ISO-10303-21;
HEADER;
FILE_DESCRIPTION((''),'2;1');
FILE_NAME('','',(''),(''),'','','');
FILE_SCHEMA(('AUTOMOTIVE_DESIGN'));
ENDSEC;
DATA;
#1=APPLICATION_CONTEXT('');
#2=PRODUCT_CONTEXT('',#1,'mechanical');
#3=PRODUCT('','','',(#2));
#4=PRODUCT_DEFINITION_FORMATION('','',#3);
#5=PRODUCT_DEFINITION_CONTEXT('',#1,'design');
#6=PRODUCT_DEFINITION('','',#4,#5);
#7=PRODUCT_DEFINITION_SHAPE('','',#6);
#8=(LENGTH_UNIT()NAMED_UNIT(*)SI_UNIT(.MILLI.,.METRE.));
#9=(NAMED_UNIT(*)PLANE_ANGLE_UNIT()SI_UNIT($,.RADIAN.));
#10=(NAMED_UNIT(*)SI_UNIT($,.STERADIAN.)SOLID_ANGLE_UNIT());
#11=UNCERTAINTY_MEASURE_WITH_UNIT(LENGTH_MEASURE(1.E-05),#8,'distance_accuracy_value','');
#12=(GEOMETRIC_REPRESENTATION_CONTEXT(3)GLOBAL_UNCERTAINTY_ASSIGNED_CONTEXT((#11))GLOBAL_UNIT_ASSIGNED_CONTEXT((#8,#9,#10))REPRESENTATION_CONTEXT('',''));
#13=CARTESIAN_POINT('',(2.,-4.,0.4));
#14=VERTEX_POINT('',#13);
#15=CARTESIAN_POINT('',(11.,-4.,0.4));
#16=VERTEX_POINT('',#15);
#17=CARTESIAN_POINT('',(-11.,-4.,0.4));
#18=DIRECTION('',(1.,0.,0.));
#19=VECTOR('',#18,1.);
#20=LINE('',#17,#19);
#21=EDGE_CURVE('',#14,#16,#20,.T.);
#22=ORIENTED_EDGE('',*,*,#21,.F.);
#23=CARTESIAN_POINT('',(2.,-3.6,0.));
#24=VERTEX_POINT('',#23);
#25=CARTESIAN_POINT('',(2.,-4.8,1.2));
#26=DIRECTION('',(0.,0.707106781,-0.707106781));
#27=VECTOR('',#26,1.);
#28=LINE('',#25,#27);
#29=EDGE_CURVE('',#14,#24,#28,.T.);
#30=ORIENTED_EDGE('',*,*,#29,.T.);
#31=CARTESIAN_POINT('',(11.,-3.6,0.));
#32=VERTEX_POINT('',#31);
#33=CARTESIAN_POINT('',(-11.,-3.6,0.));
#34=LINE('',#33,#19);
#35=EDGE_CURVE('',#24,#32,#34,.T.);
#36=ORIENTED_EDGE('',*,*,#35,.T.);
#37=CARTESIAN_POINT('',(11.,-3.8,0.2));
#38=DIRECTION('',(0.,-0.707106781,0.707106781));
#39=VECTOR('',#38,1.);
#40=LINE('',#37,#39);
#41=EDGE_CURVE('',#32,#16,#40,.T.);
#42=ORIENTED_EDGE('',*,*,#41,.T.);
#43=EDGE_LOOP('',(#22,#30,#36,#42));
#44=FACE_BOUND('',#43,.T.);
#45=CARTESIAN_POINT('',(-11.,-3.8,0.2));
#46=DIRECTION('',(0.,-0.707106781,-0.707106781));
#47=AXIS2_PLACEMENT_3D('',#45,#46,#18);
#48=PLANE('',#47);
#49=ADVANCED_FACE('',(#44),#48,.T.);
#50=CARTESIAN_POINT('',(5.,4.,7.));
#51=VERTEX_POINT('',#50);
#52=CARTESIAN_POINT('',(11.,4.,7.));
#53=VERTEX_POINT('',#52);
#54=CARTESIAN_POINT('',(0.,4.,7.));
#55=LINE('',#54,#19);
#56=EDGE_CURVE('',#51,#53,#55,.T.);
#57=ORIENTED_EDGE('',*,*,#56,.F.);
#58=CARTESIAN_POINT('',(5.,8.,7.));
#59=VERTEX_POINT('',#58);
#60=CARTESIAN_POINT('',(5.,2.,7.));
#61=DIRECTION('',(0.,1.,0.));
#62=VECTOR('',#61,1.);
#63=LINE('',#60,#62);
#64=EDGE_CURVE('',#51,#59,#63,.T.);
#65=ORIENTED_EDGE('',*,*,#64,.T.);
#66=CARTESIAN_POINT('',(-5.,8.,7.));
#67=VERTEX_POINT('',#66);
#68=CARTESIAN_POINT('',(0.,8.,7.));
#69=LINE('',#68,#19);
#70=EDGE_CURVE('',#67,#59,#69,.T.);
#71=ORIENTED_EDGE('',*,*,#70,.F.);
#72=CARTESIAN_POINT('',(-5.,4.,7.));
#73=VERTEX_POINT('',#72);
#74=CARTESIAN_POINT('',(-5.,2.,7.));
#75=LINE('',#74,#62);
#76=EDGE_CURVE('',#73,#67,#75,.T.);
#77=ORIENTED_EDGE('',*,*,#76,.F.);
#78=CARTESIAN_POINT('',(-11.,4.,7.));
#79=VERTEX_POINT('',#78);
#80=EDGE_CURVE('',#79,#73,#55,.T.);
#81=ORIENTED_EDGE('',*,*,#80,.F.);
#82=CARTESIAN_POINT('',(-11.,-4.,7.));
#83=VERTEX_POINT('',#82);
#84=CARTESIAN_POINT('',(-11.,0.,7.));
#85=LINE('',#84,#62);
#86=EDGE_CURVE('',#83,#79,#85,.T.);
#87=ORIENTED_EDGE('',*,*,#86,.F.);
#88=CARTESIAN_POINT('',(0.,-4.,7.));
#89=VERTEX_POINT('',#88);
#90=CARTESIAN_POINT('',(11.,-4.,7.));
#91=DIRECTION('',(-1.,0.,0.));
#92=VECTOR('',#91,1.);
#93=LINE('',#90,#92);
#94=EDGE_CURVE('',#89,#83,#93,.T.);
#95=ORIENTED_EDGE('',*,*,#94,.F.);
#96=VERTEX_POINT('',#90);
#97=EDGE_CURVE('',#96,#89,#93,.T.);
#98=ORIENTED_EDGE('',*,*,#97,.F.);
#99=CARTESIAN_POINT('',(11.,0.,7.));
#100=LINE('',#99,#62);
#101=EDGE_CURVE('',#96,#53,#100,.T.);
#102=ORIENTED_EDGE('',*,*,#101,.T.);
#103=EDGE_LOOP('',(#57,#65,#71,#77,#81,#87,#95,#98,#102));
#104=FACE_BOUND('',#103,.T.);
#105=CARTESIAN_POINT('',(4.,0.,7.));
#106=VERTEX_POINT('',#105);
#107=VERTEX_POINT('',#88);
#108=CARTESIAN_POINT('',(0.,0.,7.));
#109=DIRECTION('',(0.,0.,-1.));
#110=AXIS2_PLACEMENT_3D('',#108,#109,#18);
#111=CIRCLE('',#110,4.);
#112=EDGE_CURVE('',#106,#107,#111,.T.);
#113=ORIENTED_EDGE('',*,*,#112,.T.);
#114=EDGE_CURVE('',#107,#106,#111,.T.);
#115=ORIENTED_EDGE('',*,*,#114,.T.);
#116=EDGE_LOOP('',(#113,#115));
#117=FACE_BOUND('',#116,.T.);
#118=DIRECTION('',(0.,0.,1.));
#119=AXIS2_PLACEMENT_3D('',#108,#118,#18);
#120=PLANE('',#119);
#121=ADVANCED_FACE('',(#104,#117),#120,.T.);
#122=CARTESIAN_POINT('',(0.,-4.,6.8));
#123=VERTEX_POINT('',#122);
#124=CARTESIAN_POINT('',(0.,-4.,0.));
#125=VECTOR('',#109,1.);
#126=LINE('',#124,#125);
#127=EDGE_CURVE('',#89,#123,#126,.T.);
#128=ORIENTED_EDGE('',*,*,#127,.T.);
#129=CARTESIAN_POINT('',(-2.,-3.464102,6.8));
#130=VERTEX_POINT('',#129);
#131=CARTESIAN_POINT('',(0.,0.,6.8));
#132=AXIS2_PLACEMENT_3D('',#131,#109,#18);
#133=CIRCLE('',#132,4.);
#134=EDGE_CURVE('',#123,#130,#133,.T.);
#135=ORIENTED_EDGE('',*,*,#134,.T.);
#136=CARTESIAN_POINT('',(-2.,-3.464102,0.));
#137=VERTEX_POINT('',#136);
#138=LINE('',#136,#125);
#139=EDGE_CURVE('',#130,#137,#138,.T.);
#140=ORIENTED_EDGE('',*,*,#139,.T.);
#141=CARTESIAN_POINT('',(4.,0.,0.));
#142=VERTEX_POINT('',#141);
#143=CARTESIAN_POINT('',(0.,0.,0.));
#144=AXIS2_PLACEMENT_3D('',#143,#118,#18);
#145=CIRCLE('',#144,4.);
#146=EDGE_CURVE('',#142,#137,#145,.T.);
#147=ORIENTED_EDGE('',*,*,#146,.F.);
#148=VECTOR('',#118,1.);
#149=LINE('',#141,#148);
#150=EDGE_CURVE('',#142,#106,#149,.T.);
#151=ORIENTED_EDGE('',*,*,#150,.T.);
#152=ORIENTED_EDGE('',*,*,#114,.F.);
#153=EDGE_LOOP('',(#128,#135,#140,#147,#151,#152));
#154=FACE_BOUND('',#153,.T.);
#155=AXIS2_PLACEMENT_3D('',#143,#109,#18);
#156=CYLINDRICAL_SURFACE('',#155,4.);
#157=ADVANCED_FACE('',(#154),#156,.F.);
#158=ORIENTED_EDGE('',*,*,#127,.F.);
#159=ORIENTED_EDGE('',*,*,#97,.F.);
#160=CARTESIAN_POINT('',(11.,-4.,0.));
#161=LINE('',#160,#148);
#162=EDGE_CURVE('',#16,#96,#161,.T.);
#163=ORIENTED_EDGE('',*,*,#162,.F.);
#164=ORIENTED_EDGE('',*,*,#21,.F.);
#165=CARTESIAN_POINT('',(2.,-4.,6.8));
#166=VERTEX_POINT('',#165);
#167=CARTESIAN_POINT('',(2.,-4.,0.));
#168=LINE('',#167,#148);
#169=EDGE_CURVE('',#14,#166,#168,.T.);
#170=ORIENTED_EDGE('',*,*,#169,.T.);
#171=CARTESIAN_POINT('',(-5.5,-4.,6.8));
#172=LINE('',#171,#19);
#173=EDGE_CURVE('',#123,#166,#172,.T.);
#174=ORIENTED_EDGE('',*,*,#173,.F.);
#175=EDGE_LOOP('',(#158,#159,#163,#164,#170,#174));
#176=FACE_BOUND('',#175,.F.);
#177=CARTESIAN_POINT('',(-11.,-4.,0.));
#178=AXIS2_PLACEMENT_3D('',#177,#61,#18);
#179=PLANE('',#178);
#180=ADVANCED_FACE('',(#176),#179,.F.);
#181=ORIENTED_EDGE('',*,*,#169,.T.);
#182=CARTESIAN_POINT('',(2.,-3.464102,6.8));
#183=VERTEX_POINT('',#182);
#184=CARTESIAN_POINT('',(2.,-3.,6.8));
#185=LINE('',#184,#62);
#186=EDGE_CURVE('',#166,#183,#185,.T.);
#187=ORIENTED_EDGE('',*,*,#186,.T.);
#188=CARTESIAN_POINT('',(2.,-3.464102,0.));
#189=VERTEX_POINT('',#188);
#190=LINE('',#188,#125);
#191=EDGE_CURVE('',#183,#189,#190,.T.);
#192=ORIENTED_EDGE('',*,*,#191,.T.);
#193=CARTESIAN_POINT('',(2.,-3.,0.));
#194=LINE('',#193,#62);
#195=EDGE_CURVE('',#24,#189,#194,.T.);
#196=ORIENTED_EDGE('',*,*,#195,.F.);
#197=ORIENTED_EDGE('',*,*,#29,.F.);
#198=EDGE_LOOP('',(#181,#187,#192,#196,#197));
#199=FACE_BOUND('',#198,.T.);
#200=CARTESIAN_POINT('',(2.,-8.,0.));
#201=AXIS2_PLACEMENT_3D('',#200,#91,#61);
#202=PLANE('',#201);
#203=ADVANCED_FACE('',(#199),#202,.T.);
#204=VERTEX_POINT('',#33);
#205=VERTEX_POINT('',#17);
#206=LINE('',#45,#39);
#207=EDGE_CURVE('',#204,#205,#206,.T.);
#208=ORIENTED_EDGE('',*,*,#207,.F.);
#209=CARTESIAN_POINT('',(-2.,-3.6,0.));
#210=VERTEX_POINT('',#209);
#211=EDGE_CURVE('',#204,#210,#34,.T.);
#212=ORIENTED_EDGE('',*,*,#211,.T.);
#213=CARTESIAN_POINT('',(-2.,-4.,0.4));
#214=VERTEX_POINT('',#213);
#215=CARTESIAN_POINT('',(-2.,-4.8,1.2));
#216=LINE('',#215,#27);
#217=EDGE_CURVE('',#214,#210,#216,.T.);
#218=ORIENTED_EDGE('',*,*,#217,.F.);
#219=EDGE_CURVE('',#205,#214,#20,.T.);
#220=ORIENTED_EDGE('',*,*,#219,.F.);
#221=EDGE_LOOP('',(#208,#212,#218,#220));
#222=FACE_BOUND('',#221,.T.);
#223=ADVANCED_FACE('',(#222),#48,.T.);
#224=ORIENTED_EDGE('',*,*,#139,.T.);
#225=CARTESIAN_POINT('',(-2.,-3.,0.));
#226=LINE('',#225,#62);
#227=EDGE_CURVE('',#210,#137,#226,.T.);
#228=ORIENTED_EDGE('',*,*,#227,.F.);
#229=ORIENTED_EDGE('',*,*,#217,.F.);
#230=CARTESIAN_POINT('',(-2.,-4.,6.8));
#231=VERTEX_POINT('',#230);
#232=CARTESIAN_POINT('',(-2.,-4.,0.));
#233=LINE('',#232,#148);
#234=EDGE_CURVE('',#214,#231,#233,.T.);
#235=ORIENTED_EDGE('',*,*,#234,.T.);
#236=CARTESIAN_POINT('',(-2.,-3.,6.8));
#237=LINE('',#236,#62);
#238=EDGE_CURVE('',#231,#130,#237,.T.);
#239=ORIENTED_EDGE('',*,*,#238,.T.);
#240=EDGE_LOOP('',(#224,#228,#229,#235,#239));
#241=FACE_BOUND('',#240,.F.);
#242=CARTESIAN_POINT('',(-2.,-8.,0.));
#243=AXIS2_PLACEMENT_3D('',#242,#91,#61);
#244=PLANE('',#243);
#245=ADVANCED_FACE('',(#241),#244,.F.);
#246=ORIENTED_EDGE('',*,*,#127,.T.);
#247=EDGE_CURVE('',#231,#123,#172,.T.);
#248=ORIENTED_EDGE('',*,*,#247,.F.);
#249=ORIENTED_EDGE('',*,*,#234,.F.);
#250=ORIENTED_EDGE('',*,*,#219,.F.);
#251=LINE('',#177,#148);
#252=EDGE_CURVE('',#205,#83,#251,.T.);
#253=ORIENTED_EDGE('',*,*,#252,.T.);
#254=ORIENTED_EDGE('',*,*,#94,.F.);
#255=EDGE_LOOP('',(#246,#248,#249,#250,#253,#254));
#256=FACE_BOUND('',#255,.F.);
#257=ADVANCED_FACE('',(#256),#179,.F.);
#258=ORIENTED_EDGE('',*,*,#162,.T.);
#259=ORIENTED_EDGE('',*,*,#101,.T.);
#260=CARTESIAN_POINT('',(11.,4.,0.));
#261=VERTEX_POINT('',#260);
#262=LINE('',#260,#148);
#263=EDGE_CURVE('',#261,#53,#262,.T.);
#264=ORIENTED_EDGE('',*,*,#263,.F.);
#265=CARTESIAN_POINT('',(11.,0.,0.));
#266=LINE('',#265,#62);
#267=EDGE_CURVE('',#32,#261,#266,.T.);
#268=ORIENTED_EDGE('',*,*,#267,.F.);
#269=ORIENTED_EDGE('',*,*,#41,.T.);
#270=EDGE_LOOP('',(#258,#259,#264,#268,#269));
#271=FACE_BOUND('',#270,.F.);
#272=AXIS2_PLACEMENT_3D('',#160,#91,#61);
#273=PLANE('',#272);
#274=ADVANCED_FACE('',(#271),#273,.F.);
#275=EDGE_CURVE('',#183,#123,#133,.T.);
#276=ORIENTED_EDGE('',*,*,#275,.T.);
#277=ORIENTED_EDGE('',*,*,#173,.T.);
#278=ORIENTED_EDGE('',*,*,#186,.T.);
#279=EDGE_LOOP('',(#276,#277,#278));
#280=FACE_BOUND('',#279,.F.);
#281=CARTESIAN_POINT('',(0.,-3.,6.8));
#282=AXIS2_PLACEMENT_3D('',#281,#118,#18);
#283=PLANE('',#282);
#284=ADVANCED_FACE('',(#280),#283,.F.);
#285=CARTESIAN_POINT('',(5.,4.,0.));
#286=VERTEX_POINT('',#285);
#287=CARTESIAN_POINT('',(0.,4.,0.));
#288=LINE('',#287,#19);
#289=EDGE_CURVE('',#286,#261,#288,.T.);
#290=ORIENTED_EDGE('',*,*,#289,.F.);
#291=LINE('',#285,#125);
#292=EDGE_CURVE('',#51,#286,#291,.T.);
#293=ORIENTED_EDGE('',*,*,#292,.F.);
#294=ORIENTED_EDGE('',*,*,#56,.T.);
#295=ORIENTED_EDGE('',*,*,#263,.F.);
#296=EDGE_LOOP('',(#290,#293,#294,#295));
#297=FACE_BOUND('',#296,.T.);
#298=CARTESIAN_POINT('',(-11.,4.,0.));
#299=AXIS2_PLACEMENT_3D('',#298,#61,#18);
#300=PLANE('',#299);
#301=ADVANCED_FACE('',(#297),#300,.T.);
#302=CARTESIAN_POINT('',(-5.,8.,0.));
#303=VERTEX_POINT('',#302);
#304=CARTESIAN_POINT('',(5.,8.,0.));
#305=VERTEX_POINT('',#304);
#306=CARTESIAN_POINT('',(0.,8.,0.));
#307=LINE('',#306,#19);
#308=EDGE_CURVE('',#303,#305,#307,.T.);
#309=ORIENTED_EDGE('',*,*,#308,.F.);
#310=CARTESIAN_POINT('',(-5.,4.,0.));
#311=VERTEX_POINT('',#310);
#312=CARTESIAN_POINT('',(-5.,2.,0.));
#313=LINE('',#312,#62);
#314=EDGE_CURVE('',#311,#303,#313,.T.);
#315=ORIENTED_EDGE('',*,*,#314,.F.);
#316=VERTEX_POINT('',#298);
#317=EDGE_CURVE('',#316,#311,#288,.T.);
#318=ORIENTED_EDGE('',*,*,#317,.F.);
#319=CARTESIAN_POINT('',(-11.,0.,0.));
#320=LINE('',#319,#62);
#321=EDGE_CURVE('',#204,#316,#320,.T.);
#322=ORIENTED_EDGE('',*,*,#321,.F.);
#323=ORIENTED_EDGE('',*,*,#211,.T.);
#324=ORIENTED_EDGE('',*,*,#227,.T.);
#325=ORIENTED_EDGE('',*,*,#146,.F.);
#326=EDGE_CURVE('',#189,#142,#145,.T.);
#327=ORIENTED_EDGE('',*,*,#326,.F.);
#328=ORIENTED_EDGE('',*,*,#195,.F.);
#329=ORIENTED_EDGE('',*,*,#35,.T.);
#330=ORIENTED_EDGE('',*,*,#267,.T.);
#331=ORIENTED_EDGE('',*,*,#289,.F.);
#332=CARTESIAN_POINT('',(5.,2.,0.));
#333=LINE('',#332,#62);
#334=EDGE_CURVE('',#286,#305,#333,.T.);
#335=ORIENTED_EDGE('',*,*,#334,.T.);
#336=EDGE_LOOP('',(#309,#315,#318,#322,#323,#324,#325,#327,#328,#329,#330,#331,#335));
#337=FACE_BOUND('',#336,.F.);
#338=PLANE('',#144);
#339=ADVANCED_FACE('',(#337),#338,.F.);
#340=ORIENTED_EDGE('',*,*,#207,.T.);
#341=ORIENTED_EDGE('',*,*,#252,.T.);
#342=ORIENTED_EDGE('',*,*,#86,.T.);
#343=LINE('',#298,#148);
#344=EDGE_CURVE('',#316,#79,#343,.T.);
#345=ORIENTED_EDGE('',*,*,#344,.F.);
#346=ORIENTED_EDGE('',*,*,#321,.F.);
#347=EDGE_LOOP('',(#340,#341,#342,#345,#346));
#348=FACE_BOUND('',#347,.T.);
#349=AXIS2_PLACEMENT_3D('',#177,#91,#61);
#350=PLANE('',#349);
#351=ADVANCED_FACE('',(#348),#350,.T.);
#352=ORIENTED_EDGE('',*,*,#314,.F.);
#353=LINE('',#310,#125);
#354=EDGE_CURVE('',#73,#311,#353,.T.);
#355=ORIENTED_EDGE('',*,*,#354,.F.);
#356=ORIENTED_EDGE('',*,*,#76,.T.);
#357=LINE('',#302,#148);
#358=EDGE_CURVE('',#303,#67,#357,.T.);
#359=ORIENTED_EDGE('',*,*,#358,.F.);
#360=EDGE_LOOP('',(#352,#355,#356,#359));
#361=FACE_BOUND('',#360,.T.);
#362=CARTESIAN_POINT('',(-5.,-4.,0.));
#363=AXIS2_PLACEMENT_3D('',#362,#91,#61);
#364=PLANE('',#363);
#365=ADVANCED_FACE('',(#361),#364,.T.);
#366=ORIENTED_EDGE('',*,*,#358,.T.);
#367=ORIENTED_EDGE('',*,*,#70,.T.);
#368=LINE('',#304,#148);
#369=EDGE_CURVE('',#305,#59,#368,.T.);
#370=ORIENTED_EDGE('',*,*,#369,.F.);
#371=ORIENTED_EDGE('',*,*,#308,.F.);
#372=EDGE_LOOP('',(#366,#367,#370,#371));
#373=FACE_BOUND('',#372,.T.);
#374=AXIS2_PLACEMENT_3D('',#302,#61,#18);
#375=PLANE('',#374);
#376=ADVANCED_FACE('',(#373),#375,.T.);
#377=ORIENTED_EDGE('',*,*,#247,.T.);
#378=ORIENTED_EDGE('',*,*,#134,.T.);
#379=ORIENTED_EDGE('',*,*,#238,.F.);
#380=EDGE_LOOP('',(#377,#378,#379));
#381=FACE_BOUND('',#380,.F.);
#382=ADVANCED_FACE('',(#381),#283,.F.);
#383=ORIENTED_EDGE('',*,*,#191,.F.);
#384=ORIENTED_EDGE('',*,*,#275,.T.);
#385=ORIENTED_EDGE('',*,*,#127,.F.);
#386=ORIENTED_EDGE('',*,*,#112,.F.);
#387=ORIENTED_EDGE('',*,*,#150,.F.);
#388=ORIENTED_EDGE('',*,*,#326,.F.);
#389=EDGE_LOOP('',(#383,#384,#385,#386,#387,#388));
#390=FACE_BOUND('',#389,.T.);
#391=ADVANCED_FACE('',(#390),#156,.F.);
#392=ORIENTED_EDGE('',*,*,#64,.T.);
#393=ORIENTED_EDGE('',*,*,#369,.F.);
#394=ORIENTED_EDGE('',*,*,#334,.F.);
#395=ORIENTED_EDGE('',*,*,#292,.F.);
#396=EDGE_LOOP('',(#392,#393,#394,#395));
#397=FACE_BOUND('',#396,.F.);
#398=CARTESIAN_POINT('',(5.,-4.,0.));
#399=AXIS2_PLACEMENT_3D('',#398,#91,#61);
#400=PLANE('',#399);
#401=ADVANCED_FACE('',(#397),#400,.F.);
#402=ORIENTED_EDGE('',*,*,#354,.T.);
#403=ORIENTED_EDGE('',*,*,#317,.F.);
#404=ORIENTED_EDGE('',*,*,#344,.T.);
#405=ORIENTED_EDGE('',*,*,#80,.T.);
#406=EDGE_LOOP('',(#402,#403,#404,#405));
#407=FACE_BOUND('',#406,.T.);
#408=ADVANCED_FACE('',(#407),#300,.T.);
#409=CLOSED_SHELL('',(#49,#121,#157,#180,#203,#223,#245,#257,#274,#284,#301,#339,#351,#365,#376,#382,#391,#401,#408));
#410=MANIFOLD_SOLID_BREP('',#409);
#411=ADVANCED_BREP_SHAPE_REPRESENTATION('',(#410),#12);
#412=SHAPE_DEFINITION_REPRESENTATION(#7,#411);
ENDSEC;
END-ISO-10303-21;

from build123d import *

# Parameters (mm, degrees)
BOX021_W           = 4
BOX021_H           = 10
BOX021_DEPTH       = 6.8
CYLINDER023_R      = 4
CYLINDER023_DEPTH  = 10
BOX020_W           = 22
BOX020_H           = 8
BOX020_DEPTH       = 7
BOX019_W           = 10
BOX019_H           = 12
BOX019_DEPTH       = 7
CHAMFER007017_SIZE = 0.4


with BuildPart() as cube019:
    # Box021 → Box021 (new body)
    with BuildSketch(Plane(origin=(-2, -8, 0), x_dir=(1, 0, 0), z_dir=(0, 0, 1))):
        with Locations((2, 5)):
            Rectangle(BOX021_W, BOX021_H)
    extrude(amount=BOX021_DEPTH)


with BuildPart() as cylinder023:
    # Cylinder023 → Cylinder023 (new body)
    with BuildSketch(Plane.XY):
        Circle(CYLINDER023_R)
    extrude(amount=CYLINDER023_DEPTH)


with BuildPart() as cube018:
    # Box020 → Box020 (new body)
    with BuildSketch(Plane(origin=(-11, -4, 0), x_dir=(1, 0, 0), z_dir=(0, 0, 1))):
        with Locations((11, 4)):
            Rectangle(BOX020_W, BOX020_H)
    extrude(amount=BOX020_DEPTH)


with BuildPart() as cut017016003:
    # Box019 → Box019 (new body)
    with BuildSketch(Plane(origin=(-5, -4, 0), x_dir=(1, 0, 0), z_dir=(0, 0, 1))):
        with Locations((5, 6)):
            Rectangle(BOX019_W, BOX019_H)
    extrude(amount=BOX019_DEPTH)

    # Fusion003003006005002: union Cube018
    add(cube018.part)

    # Chamfer007017
    chamfer007017_edges = [cut017016003.edges().sort_by_distance(p)[0] for p in [
        (0, -4, 0),
        (-8, -4, 0),
        (8, -4, 0),
    ]]
    chamfer(chamfer007017_edges, length=CHAMFER007017_SIZE)

    # Cut017016002: cut Cylinder023
    add(cylinder023.part, mode=Mode.SUBTRACT)

    # Cut017016003: cut Cube019
    add(cube019.part, mode=Mode.SUBTRACT)


solid = cut017016003.part
